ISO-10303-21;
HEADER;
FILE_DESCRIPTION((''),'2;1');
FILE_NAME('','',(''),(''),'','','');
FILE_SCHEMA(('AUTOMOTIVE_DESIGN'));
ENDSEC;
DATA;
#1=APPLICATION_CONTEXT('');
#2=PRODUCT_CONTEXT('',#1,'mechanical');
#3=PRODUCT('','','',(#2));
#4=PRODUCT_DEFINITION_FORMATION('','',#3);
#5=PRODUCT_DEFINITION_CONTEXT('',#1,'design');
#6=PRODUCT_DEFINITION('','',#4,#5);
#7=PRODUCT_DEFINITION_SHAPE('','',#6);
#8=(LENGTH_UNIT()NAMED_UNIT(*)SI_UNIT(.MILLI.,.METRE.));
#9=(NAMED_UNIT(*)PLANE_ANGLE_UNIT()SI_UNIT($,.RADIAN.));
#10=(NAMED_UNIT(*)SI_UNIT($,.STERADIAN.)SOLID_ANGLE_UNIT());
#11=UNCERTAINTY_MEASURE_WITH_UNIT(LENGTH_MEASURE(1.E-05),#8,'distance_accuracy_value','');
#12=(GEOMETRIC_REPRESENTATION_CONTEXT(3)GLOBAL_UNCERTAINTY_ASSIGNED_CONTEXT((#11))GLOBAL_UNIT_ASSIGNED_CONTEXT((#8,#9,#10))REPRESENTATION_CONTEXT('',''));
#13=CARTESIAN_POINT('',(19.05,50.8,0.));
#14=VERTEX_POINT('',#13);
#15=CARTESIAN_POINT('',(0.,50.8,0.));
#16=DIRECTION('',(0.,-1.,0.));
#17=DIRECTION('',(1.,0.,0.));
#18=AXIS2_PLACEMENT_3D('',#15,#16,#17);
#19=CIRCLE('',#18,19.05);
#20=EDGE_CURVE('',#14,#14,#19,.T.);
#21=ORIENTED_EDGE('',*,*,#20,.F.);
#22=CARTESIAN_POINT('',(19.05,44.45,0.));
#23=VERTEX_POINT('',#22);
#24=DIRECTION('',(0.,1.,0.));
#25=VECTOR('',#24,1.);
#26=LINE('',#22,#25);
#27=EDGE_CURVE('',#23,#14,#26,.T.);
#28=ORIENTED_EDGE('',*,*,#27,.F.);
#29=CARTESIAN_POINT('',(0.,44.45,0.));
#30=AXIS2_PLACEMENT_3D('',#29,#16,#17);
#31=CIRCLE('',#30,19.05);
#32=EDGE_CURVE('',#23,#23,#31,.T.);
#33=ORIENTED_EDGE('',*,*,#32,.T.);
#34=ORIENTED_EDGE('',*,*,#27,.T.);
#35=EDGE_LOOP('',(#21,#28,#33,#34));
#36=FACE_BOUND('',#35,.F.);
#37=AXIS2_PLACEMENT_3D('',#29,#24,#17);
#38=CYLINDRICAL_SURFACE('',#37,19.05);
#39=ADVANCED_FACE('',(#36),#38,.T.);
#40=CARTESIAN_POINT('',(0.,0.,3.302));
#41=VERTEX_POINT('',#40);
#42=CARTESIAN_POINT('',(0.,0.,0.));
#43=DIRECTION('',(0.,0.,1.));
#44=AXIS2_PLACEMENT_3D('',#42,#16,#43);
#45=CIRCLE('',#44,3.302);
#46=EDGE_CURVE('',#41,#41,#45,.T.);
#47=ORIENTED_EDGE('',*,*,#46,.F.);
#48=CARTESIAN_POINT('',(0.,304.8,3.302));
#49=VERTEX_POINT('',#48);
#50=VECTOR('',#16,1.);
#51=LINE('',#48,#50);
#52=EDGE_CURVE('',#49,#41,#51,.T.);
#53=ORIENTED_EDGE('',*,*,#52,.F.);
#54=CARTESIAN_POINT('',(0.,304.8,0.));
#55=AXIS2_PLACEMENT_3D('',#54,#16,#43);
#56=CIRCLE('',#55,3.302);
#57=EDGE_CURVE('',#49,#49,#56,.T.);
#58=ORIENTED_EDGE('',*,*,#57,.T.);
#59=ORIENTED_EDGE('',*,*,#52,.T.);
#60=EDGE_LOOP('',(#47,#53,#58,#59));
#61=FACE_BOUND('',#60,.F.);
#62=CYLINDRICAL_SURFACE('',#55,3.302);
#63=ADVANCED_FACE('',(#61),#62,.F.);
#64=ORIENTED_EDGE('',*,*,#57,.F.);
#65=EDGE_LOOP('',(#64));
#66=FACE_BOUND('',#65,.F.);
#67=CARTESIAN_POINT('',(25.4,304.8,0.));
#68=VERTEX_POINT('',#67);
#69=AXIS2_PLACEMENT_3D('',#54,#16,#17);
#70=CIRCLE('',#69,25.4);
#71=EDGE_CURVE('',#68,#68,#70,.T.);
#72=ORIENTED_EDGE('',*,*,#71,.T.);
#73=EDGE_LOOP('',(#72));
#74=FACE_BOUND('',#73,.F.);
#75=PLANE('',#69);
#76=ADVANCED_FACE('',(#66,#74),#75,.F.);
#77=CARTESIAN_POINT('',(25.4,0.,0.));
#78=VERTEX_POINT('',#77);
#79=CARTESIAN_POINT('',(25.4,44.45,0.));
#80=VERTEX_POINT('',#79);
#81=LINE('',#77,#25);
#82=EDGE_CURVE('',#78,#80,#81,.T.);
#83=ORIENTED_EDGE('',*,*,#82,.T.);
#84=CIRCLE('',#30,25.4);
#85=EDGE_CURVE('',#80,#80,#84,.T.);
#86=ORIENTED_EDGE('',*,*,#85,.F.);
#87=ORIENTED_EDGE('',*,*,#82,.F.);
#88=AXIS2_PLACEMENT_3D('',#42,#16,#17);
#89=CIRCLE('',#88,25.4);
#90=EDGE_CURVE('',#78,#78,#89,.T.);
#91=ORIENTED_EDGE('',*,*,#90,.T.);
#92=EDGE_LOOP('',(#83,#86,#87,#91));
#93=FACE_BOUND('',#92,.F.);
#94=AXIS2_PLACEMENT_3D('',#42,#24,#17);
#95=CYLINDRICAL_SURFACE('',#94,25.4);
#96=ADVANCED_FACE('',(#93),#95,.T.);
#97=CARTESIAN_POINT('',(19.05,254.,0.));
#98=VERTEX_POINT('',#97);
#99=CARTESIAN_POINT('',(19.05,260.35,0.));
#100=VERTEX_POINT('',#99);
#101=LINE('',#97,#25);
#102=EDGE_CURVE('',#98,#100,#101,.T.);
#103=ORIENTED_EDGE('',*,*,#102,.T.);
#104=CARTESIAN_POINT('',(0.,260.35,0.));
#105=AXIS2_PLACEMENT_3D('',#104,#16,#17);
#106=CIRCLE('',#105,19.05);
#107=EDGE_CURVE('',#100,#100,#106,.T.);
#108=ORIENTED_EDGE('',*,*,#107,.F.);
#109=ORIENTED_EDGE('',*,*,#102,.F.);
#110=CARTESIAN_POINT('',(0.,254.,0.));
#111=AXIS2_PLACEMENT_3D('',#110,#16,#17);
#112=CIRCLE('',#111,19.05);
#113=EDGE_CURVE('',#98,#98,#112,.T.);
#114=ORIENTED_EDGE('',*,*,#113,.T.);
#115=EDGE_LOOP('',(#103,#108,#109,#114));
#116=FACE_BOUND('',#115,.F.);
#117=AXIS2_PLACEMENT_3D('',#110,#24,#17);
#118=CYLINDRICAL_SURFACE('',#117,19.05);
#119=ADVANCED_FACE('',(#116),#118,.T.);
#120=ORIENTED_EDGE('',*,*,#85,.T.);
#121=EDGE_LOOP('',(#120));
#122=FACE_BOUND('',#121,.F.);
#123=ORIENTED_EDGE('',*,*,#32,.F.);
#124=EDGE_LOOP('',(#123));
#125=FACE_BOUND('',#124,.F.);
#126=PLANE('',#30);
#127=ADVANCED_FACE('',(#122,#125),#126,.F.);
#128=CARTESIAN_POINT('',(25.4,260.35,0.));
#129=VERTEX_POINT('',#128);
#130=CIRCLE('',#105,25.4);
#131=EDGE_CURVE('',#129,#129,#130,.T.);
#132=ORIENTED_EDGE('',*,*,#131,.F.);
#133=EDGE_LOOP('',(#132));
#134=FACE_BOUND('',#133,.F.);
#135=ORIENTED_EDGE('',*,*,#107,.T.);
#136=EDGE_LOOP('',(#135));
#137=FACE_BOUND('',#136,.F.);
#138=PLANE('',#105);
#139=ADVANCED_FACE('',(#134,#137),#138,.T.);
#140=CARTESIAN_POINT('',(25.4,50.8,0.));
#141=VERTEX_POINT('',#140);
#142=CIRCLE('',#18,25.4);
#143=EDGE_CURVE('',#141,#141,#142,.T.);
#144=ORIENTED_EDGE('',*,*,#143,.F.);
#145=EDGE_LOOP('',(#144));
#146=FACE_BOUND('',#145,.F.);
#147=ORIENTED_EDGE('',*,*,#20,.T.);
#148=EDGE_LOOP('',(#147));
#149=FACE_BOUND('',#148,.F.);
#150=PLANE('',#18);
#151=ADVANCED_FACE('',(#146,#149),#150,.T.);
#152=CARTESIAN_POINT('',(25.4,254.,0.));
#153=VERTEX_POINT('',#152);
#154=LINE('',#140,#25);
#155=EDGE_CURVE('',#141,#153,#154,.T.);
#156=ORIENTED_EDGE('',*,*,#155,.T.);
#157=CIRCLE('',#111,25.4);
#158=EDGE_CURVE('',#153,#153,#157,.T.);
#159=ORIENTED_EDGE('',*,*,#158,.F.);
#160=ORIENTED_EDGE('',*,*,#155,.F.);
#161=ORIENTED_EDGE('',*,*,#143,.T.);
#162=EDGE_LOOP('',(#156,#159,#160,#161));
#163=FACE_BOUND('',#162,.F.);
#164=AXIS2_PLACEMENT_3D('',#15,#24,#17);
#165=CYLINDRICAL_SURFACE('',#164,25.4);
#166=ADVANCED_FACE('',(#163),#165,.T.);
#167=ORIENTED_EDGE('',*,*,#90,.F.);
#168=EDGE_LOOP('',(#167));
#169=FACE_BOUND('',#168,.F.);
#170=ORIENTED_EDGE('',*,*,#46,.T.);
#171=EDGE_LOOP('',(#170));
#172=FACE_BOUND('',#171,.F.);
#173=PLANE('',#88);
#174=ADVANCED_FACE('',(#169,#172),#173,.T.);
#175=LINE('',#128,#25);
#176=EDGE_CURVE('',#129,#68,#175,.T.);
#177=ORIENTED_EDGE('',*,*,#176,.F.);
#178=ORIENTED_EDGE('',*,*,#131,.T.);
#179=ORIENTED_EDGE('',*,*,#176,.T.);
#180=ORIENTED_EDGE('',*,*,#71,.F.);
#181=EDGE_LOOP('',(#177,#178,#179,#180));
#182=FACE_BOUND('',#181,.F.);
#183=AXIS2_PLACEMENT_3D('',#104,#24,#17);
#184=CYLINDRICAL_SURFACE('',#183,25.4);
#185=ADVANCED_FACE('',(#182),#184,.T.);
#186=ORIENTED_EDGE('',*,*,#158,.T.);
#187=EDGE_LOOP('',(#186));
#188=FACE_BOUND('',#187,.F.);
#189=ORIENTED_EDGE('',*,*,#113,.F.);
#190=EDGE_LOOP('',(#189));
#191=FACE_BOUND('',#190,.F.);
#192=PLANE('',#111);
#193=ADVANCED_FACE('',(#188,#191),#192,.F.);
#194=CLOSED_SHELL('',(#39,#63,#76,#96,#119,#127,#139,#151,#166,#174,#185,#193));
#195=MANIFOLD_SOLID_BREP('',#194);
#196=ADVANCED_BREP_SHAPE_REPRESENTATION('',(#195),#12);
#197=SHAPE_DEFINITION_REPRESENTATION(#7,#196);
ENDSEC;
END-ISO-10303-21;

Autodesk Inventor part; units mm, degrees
ref_plane "YZ Plane" through (0, 0, 0) normal (1, 0, 0) x (0, 1, 0)
ref_plane "XZ Plane" through (0, 0, 0) normal (0, 1, 0) x (-1, 0, 0)
ref_plane "XY Plane" through (0, 0, 0) normal (0, 0, 1) x (1, 0, 0)
sketch "Sketch1" plane through (0, 0, 0) normal (0, 0, 1) x (1, 0, 0)
  line L0 (0, 0) -> (25.4, 0)
  line L1 (25.4, 304.8) -> (0, 304.8)
  line L2 (0, 304.8) -> (0, 0)
  line L3 (25.4, 44.45) -> (19.05, 44.45)
  line L4 (19.05, 44.45) -> (19.05, 50.8)
  line L5 (19.05, 50.8) -> (25.4, 50.8)
  line L6 (25.4, 254) -> (19.05, 254)
  line L7 (19.05, 254) -> (19.05, 260.35)
  line L8 (19.05, 260.35) -> (25.4, 260.35)
  line L9 (25.4, 260.35) -> (25.4, 304.8)
  line L10 (25.4, 0) -> (25.4, 44.45)
  line L11 (25.4, 50.8) -> (25.4, 254)
  point P0 (12.7, 152.4)
  point P1 (12.7, 0)
  dimension "d3" = 6.35
  dimension "d4" = 6.35
  dimension "d5" = 6.35
  dimension "d7" = 6.35
  dimension "d8" = 25.4
  dimension "d9" = 25.4
  dimension "d10" = 25.4
  dimension "d11" = 304.8
  dimension "d12" = 152.4
  dimension "d13" = 101.6
  dimension "d14" = 101.6
revolve "Revolution1" add sketch "Sketch1" angle 360 about axis through (0, 304.8, 0) along (0, -1, 0)
sketch "Sketch2" plane through (0, 304.8, 0) normal (0, 1, 0) x (1, 0, 0)
  point P0 (0, 0)
  point P1 (0, 0)
hole "Hole1" at (0, 304.8, 0) direction (0, -1, 0) diameter 6.604 end through all
equation "\"d12\" = 0.5 * d11"
properties part number "Roller" material "PVC-Piping"
